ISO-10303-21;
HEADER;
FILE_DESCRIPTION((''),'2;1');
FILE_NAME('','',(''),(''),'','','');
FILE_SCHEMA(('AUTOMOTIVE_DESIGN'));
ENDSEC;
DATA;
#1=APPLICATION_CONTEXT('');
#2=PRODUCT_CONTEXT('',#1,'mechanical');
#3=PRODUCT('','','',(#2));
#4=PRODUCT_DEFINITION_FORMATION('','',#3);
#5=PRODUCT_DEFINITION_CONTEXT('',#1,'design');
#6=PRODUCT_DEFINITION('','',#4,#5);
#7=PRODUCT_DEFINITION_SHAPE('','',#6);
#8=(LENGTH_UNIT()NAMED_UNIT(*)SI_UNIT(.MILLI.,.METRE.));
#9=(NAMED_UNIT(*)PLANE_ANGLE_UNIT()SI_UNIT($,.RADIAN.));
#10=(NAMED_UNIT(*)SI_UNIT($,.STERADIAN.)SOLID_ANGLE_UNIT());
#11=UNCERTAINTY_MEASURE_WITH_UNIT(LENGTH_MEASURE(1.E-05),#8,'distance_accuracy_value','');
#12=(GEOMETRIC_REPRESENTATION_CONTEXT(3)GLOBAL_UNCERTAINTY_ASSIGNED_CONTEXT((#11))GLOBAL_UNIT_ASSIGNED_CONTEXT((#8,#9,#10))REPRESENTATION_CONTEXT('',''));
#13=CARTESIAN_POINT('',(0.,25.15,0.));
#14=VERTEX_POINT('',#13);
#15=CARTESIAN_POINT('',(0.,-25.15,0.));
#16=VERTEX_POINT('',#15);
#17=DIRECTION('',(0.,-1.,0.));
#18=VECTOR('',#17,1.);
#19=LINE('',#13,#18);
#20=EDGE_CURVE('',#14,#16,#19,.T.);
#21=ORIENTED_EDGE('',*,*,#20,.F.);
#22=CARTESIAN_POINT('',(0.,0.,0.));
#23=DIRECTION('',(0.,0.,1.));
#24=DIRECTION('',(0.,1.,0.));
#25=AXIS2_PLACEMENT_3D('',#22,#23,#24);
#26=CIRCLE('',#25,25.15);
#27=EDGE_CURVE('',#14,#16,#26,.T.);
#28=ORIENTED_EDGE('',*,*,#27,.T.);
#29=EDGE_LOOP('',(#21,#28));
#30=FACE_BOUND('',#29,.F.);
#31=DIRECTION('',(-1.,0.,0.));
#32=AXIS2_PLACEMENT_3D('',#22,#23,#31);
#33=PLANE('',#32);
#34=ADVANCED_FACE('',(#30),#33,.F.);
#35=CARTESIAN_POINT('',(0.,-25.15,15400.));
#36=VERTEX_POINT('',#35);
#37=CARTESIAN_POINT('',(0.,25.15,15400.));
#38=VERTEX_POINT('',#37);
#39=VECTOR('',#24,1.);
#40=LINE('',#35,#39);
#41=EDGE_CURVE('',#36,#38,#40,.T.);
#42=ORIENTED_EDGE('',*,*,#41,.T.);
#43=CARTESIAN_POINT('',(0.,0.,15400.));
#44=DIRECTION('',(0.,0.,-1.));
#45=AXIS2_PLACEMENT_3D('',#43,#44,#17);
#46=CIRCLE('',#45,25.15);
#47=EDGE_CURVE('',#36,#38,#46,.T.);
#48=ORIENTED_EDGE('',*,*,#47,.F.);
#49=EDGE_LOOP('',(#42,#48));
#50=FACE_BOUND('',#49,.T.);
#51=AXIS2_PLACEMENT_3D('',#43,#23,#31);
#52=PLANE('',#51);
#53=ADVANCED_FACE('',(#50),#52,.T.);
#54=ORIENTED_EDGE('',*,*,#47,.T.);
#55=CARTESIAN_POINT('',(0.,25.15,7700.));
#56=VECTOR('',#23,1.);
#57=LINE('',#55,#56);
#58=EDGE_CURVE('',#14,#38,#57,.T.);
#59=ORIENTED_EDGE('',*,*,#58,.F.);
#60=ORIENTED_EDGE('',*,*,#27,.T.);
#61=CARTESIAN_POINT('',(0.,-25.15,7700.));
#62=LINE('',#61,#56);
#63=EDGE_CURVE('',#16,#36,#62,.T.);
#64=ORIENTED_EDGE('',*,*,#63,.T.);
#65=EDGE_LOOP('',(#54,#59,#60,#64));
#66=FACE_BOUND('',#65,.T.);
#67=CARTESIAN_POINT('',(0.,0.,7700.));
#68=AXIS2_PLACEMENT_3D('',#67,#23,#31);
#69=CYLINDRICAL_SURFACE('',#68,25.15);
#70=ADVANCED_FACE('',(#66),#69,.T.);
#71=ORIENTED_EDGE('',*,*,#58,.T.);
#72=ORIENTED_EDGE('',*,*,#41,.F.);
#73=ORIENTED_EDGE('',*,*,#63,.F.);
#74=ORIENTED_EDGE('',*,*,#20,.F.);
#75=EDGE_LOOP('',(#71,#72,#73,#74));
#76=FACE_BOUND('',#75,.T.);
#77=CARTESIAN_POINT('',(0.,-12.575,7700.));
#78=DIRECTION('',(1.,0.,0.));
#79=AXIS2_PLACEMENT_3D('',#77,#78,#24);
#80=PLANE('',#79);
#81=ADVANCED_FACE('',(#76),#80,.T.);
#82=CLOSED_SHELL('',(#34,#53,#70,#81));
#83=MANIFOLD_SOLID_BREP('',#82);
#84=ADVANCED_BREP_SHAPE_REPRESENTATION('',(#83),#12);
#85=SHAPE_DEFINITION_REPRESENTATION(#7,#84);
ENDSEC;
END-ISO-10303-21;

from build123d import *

# Parameters (mm, degrees)
F0_W     = 25.15
F0_H     = 15400
F1_ANGLE = 180


with BuildPart() as f1:
    # F0 (on Front) → F1 (revolve, symmetric)
    with BuildSketch(Plane.XZ) as f1_sk:
        with Locations((-12.575, 7700)):
            Rectangle(F0_W, F0_H)
    revolve(axis=Axis((0, 0, 7700), (0, 0, -1)), revolution_arc=F1_ANGLE / 2)
    revolve(f1_sk.sketch, axis=Axis((0, 0, 7700), (0, 0, 1)), revolution_arc=F1_ANGLE / 2)


solid = f1.part
